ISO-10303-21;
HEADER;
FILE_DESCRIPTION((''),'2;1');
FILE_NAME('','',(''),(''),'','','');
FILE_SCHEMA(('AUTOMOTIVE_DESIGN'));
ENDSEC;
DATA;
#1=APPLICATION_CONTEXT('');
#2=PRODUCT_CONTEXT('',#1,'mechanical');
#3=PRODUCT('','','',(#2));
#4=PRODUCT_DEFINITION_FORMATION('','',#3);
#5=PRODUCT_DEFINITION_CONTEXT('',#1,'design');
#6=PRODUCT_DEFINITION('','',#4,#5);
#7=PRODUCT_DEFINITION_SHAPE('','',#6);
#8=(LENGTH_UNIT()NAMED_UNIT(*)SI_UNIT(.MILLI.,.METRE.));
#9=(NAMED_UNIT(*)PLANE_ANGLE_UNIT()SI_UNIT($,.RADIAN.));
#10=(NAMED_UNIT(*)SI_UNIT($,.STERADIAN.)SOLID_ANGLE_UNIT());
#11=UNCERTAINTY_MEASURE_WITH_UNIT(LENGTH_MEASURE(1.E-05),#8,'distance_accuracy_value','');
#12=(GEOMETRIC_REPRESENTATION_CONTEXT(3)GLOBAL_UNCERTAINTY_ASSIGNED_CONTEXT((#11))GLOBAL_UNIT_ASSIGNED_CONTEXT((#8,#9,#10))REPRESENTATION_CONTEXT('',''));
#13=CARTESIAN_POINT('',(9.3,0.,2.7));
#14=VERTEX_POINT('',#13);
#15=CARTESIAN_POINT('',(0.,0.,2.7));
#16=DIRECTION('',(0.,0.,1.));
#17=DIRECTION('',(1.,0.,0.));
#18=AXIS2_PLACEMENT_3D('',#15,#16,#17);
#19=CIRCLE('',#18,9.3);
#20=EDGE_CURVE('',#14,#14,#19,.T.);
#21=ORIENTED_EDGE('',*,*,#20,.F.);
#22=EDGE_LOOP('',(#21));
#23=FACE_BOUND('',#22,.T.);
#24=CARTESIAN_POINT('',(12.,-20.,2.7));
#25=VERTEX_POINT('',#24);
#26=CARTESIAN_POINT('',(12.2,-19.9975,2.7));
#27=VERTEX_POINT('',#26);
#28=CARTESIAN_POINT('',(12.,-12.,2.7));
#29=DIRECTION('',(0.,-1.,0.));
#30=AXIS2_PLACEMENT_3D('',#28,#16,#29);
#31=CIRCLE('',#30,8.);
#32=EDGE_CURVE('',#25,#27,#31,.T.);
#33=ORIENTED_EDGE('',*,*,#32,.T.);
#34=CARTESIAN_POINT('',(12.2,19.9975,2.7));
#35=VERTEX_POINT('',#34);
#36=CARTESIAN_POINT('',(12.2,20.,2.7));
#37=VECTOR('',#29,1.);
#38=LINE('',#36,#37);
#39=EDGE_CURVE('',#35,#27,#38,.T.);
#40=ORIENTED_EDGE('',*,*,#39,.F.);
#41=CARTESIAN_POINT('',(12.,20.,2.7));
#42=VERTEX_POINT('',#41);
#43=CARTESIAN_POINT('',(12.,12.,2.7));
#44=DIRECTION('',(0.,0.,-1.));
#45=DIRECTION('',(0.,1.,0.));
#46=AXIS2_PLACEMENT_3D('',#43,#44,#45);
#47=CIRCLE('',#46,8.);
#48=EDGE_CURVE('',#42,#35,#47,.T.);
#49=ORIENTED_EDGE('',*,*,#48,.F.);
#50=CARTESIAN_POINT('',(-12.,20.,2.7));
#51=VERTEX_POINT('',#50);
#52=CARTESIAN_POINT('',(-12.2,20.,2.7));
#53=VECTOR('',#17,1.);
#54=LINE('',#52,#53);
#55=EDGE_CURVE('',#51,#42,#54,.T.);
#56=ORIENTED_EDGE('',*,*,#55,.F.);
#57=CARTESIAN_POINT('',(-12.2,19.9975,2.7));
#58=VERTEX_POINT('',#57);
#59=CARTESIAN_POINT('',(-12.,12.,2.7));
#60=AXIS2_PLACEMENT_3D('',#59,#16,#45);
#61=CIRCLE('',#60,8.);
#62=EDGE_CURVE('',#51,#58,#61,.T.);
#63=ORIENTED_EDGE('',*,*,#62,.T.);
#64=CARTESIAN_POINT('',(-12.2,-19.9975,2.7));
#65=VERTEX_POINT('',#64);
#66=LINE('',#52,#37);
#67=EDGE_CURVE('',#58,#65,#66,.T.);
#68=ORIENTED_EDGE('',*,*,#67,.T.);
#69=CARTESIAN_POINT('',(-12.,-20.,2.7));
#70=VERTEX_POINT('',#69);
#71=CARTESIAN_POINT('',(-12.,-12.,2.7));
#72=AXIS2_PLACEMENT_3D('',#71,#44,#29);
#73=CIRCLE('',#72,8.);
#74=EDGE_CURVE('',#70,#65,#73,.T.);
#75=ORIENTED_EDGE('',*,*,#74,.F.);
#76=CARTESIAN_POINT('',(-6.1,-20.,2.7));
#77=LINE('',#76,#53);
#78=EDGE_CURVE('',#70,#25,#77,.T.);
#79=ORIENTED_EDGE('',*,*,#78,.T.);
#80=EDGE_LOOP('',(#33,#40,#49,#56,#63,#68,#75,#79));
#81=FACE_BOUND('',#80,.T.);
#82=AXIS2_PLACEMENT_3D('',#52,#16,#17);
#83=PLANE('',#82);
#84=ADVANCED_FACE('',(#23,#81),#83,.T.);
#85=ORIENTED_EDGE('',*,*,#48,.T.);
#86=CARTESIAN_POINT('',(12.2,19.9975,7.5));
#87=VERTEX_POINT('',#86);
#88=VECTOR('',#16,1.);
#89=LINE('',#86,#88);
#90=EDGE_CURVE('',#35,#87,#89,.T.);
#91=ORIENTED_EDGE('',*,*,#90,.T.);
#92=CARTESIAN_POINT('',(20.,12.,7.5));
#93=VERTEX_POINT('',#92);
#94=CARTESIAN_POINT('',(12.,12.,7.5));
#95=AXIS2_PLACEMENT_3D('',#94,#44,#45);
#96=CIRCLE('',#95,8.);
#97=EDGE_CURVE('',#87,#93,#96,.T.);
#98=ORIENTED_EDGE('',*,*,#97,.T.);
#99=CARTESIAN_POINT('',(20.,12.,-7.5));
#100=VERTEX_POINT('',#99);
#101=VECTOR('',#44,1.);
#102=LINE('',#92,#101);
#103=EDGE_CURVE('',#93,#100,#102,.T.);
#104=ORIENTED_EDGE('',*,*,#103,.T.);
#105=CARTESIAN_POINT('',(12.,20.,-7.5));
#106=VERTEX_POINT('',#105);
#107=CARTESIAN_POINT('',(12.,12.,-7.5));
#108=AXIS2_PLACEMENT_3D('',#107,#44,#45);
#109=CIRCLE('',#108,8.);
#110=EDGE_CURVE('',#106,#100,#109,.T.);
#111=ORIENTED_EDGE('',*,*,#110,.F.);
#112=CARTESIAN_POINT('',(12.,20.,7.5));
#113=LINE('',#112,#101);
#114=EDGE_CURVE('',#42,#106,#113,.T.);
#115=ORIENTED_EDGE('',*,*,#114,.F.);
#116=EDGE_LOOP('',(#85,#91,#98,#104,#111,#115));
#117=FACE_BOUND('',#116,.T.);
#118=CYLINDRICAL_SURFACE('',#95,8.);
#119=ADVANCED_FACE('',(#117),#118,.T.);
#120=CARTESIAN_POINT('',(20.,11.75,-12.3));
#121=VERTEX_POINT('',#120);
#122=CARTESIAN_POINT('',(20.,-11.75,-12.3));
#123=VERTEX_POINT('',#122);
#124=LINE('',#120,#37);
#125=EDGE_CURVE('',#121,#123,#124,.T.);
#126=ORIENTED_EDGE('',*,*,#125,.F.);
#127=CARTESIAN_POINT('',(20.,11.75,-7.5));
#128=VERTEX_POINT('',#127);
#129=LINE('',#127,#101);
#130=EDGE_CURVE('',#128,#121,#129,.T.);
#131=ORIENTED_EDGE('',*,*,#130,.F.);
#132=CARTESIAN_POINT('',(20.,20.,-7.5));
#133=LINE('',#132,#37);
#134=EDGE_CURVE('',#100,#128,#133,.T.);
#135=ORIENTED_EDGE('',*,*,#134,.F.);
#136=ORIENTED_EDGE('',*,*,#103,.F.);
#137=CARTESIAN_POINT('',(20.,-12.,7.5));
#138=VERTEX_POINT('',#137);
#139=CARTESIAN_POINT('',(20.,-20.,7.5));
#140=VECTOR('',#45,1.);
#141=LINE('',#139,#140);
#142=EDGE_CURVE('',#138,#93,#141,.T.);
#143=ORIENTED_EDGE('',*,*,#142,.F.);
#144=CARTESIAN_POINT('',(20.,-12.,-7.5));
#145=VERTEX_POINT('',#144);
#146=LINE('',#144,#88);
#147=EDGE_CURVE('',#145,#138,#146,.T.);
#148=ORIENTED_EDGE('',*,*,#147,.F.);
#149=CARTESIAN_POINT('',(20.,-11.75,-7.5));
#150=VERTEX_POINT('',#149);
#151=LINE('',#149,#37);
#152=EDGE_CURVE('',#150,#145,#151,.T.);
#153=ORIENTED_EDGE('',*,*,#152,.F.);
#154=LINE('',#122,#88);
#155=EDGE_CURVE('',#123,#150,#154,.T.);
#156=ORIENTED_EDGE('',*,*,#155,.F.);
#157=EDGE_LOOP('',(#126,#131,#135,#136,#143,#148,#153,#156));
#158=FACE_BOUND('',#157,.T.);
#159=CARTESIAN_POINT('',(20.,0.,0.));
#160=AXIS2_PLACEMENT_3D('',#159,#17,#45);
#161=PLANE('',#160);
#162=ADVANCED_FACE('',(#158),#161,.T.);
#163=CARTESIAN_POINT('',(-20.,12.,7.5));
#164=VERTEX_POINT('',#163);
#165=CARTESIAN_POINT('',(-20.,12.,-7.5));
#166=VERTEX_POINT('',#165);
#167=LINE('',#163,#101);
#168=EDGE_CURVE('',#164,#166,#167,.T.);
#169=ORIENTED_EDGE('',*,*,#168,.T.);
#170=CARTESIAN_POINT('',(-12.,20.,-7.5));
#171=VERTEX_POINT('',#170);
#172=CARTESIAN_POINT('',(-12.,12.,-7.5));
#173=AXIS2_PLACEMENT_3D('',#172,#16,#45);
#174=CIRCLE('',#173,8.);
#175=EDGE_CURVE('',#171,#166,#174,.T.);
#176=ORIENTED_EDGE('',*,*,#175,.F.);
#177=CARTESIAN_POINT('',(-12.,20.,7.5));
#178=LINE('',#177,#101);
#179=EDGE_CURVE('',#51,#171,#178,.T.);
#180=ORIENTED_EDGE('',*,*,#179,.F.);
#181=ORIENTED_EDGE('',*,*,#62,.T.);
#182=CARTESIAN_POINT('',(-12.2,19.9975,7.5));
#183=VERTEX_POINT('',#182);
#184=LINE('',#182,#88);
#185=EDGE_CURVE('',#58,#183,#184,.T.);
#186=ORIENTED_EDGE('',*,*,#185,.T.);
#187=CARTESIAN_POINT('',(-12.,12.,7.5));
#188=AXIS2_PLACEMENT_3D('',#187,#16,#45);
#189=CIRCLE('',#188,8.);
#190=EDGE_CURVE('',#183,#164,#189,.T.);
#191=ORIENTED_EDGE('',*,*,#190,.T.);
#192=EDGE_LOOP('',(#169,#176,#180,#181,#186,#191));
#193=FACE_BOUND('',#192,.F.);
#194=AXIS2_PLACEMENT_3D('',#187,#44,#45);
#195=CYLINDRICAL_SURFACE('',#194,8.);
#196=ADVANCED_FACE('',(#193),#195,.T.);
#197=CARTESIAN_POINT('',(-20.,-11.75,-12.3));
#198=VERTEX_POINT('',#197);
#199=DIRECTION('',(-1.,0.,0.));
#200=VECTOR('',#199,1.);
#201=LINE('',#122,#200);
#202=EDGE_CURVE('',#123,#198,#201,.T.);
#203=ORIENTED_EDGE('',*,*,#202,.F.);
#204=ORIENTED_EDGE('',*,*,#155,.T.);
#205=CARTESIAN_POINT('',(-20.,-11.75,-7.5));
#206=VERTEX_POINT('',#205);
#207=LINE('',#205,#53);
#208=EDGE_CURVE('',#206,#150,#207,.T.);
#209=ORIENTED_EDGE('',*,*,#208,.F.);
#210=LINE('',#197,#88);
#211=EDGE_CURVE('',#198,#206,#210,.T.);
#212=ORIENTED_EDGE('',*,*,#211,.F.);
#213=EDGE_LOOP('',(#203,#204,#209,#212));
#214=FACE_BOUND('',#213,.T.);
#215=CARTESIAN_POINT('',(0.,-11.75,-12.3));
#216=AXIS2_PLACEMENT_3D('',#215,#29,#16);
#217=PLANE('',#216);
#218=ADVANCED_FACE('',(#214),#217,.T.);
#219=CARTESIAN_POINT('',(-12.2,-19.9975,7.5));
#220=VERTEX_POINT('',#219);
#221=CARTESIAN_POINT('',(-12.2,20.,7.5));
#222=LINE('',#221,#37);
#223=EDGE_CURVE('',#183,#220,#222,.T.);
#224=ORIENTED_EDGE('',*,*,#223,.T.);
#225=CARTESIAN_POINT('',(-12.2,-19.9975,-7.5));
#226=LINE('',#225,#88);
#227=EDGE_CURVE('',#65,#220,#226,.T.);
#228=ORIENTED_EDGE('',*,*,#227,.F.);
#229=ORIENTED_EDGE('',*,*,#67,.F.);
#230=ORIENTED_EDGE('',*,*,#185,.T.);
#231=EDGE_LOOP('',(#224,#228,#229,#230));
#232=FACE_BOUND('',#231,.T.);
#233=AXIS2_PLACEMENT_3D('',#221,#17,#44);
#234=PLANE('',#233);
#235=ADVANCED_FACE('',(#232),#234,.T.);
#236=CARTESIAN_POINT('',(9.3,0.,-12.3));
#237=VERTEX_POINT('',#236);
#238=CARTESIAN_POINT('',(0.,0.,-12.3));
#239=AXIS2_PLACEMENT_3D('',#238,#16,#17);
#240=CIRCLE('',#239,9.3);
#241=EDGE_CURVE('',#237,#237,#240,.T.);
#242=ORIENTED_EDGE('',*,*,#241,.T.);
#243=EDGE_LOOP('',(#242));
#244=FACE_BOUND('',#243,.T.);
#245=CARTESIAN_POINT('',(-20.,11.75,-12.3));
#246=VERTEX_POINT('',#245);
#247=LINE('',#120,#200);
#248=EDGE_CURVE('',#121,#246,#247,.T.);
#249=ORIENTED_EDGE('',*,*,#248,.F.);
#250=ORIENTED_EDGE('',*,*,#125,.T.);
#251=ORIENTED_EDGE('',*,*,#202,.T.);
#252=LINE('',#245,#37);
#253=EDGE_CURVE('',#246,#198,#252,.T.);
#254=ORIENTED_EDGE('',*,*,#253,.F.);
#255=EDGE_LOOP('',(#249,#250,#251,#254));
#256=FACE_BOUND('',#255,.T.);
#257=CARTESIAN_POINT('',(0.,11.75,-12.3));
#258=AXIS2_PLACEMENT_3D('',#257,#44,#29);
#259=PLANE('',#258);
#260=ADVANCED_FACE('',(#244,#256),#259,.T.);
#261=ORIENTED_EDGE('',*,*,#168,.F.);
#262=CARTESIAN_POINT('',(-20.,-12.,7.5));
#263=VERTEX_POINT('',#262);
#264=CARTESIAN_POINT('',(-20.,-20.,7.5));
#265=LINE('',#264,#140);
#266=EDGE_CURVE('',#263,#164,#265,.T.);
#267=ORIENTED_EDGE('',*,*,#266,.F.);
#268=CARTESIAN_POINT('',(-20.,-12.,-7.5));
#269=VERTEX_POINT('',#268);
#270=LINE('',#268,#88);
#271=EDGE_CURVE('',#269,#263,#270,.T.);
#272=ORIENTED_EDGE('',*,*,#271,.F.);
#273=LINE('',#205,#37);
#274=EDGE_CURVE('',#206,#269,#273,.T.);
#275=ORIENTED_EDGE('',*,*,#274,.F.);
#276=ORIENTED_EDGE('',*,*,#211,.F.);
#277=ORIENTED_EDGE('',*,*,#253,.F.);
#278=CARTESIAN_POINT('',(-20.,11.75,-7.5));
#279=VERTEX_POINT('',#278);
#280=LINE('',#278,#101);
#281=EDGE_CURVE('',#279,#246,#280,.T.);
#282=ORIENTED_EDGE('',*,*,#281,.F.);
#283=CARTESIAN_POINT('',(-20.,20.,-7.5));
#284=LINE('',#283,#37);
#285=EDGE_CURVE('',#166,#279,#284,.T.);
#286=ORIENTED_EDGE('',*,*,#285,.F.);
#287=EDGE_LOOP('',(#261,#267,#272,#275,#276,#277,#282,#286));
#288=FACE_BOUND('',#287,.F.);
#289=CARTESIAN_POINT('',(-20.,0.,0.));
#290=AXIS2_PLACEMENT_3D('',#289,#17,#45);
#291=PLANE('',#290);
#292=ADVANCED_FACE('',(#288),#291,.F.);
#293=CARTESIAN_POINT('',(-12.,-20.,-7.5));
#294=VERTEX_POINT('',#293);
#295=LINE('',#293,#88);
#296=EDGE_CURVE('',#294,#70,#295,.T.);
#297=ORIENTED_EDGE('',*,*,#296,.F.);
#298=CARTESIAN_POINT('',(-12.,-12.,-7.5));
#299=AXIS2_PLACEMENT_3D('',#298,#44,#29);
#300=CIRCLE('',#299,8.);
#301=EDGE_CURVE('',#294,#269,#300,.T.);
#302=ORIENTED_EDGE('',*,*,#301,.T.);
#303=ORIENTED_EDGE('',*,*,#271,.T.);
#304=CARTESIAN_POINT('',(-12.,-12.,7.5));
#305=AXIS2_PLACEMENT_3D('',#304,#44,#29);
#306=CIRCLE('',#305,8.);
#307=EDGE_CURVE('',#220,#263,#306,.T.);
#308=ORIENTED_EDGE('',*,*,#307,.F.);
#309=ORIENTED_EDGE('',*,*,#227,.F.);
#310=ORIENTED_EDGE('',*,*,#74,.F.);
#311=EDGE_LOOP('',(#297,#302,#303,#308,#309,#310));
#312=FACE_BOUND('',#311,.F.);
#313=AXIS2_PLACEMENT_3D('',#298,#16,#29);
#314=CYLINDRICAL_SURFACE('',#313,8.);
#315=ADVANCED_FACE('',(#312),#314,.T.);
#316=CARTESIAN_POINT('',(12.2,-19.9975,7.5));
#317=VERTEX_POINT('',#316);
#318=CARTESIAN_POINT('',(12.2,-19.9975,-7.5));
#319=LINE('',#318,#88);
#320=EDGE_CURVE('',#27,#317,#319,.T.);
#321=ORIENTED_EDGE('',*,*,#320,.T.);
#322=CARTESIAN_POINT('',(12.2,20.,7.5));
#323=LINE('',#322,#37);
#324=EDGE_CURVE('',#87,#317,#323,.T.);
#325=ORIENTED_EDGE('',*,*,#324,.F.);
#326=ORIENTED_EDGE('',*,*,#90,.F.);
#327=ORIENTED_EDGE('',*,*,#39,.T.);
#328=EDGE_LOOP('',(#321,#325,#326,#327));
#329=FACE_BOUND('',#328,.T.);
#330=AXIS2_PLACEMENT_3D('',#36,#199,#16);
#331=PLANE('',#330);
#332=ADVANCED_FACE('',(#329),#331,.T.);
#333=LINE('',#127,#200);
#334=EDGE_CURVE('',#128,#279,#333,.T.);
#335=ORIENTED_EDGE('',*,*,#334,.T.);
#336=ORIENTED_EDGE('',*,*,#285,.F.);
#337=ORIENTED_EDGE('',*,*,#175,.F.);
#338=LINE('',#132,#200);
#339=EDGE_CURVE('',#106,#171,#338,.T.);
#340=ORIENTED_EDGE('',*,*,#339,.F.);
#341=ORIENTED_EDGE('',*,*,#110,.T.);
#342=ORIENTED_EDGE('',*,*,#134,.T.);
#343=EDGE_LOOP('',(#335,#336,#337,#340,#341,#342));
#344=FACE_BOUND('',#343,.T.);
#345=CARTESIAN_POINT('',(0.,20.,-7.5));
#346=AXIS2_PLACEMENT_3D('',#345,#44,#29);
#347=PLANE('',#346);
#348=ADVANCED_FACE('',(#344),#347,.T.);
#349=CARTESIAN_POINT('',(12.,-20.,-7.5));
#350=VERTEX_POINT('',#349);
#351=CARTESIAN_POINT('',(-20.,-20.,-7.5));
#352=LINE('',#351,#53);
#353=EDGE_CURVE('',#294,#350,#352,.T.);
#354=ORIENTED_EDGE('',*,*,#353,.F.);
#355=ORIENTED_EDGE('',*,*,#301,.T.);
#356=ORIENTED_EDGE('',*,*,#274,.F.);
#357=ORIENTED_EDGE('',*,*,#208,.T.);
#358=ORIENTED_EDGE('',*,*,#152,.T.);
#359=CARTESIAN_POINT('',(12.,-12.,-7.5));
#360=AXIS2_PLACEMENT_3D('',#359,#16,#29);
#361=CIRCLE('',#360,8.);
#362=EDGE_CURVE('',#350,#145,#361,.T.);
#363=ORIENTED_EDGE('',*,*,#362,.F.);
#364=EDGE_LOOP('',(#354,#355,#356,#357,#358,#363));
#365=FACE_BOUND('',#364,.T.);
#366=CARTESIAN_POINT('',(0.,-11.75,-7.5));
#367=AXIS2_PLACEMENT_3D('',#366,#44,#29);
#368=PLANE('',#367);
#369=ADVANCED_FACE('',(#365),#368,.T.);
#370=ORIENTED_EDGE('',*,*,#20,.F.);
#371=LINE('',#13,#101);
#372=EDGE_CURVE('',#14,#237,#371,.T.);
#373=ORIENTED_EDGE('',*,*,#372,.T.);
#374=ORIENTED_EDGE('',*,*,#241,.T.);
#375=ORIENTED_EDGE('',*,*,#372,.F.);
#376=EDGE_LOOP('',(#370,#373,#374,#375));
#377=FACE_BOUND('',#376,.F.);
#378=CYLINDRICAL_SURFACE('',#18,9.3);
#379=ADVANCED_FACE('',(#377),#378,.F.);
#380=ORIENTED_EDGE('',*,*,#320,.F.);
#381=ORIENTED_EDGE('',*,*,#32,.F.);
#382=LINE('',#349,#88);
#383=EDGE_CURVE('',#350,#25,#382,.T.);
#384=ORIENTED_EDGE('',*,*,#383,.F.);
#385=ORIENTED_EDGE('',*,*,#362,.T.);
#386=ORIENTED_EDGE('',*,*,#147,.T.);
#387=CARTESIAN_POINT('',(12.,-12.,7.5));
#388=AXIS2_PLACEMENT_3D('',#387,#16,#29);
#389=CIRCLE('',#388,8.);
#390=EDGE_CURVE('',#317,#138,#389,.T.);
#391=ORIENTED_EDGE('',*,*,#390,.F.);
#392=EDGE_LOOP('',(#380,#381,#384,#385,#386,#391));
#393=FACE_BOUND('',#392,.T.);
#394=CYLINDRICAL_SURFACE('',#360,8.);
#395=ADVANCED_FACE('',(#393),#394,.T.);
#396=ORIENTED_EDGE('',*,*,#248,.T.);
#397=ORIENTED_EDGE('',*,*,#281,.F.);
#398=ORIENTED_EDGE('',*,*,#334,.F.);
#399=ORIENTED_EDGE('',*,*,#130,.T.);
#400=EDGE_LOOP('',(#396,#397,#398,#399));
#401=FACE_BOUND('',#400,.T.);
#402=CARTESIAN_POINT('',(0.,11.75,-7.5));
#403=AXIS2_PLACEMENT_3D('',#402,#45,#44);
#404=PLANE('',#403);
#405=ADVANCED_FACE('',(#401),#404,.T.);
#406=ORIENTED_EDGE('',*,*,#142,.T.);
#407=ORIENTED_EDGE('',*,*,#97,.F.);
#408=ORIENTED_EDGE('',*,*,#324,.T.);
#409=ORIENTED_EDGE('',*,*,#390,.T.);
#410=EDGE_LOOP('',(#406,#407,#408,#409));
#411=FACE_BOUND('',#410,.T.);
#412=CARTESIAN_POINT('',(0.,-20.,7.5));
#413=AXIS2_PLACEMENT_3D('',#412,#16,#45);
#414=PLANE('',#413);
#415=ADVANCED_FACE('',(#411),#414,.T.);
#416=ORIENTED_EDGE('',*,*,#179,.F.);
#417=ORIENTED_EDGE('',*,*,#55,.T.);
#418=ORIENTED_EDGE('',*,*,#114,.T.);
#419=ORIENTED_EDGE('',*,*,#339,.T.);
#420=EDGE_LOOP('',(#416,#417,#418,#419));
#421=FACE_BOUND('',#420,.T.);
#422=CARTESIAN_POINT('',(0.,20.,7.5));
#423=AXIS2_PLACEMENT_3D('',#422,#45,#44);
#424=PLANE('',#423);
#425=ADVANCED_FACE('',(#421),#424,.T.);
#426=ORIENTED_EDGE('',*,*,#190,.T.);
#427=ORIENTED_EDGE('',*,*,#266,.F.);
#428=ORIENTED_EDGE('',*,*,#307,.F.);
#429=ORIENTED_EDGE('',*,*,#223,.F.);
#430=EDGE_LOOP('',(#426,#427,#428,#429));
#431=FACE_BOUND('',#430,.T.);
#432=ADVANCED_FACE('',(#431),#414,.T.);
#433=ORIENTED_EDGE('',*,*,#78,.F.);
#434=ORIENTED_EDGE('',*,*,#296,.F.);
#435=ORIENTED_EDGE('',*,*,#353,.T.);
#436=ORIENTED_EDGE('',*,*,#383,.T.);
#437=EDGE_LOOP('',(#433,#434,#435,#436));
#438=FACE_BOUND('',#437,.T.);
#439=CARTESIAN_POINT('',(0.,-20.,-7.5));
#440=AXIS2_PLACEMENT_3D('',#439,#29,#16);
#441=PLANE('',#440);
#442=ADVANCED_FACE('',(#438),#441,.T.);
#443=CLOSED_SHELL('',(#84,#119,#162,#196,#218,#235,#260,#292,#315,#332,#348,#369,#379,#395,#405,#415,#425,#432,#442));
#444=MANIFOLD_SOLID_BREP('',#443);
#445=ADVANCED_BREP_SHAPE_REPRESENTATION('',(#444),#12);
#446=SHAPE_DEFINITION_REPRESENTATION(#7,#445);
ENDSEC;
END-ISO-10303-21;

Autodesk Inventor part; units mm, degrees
ref_plane "YZ Plane" through (0, 0, 0) normal (1, 0, 0) x (0, 1, 0)
ref_plane "XZ Plane" through (0, 0, 0) normal (0, 1, 0) x (-1, 0, 0)
ref_plane "XY Plane" through (0, 0, 0) normal (0, 0, 1) x (1, 0, 0)
sketch "Sketch1" plane through (0, 0, 0) normal (1, 0, 0) x (0, 1, 0)
  line L0 (-20, 7.5) -> (20, 7.5)
  line L1 (20, 7.5) -> (20, -7.5)
  line L2 (20, -7.5) -> (11.75, -7.5)
  line L3 (11.75, -7.5) -> (11.75, -12.3)
  line L4 (11.75, -12.3) -> (-11.75, -12.3)
  line L5 (-11.75, -12.3) -> (-11.75, -7.5)
  line L6 (-11.75, -7.5) -> (-20, -7.5)
  line L7 (-20, -7.5) -> (-20, 7.5)
  point P0 (0, 0)
  point P1 (0, 7.5)
  point P2 (20, 0)
  point P3 (0, -12.3)
  dimension "d0" = 15
  dimension "d1" = 40
  dimension "d2" = 4.8
  dimension "d3" = 23.5
extrude "Extrusion1" add sketch "Sketch1" along normal mid plane 40
sketch "Sketch2" plane through (-20, 20, 7.5) normal (0, 1, 0) x (1, 0, 0)
  line L0 (32.2, 0) -> (7.8, 0)
  line L1 (7.8, 0) -> (7.8, 4.8)
  line L2 (7.8, 4.8) -> (32.2, 4.8)
  line L3 (32.2, 4.8) -> (32.2, 0)
  point P0 (20, 7.5)
  point P1 (40, 0)
  point P2 (20, 4.8)
  dimension "d6" = 24.4
  dimension "d7" = 4.8
extrude "Extrusion2" cut sketch "Sketch2" against normal up to next
fillet "Fillet1" radius 8 4 edges at (20, 20, 0) (-20, 20, 0) (-20, -20, 0) (20, -20, 0)
sketch "Sketch3" plane through (-12, 20, 2.7) normal (0, 0, 1) x (1, 0, 0)
  circle A0 centre (12, -20) radius 9.3
  dimension "d11" = 18.6
extrude "Extrusion3" cut sketch "Sketch3" against normal up to next
properties part number "OldhamCouplerMiddle"
